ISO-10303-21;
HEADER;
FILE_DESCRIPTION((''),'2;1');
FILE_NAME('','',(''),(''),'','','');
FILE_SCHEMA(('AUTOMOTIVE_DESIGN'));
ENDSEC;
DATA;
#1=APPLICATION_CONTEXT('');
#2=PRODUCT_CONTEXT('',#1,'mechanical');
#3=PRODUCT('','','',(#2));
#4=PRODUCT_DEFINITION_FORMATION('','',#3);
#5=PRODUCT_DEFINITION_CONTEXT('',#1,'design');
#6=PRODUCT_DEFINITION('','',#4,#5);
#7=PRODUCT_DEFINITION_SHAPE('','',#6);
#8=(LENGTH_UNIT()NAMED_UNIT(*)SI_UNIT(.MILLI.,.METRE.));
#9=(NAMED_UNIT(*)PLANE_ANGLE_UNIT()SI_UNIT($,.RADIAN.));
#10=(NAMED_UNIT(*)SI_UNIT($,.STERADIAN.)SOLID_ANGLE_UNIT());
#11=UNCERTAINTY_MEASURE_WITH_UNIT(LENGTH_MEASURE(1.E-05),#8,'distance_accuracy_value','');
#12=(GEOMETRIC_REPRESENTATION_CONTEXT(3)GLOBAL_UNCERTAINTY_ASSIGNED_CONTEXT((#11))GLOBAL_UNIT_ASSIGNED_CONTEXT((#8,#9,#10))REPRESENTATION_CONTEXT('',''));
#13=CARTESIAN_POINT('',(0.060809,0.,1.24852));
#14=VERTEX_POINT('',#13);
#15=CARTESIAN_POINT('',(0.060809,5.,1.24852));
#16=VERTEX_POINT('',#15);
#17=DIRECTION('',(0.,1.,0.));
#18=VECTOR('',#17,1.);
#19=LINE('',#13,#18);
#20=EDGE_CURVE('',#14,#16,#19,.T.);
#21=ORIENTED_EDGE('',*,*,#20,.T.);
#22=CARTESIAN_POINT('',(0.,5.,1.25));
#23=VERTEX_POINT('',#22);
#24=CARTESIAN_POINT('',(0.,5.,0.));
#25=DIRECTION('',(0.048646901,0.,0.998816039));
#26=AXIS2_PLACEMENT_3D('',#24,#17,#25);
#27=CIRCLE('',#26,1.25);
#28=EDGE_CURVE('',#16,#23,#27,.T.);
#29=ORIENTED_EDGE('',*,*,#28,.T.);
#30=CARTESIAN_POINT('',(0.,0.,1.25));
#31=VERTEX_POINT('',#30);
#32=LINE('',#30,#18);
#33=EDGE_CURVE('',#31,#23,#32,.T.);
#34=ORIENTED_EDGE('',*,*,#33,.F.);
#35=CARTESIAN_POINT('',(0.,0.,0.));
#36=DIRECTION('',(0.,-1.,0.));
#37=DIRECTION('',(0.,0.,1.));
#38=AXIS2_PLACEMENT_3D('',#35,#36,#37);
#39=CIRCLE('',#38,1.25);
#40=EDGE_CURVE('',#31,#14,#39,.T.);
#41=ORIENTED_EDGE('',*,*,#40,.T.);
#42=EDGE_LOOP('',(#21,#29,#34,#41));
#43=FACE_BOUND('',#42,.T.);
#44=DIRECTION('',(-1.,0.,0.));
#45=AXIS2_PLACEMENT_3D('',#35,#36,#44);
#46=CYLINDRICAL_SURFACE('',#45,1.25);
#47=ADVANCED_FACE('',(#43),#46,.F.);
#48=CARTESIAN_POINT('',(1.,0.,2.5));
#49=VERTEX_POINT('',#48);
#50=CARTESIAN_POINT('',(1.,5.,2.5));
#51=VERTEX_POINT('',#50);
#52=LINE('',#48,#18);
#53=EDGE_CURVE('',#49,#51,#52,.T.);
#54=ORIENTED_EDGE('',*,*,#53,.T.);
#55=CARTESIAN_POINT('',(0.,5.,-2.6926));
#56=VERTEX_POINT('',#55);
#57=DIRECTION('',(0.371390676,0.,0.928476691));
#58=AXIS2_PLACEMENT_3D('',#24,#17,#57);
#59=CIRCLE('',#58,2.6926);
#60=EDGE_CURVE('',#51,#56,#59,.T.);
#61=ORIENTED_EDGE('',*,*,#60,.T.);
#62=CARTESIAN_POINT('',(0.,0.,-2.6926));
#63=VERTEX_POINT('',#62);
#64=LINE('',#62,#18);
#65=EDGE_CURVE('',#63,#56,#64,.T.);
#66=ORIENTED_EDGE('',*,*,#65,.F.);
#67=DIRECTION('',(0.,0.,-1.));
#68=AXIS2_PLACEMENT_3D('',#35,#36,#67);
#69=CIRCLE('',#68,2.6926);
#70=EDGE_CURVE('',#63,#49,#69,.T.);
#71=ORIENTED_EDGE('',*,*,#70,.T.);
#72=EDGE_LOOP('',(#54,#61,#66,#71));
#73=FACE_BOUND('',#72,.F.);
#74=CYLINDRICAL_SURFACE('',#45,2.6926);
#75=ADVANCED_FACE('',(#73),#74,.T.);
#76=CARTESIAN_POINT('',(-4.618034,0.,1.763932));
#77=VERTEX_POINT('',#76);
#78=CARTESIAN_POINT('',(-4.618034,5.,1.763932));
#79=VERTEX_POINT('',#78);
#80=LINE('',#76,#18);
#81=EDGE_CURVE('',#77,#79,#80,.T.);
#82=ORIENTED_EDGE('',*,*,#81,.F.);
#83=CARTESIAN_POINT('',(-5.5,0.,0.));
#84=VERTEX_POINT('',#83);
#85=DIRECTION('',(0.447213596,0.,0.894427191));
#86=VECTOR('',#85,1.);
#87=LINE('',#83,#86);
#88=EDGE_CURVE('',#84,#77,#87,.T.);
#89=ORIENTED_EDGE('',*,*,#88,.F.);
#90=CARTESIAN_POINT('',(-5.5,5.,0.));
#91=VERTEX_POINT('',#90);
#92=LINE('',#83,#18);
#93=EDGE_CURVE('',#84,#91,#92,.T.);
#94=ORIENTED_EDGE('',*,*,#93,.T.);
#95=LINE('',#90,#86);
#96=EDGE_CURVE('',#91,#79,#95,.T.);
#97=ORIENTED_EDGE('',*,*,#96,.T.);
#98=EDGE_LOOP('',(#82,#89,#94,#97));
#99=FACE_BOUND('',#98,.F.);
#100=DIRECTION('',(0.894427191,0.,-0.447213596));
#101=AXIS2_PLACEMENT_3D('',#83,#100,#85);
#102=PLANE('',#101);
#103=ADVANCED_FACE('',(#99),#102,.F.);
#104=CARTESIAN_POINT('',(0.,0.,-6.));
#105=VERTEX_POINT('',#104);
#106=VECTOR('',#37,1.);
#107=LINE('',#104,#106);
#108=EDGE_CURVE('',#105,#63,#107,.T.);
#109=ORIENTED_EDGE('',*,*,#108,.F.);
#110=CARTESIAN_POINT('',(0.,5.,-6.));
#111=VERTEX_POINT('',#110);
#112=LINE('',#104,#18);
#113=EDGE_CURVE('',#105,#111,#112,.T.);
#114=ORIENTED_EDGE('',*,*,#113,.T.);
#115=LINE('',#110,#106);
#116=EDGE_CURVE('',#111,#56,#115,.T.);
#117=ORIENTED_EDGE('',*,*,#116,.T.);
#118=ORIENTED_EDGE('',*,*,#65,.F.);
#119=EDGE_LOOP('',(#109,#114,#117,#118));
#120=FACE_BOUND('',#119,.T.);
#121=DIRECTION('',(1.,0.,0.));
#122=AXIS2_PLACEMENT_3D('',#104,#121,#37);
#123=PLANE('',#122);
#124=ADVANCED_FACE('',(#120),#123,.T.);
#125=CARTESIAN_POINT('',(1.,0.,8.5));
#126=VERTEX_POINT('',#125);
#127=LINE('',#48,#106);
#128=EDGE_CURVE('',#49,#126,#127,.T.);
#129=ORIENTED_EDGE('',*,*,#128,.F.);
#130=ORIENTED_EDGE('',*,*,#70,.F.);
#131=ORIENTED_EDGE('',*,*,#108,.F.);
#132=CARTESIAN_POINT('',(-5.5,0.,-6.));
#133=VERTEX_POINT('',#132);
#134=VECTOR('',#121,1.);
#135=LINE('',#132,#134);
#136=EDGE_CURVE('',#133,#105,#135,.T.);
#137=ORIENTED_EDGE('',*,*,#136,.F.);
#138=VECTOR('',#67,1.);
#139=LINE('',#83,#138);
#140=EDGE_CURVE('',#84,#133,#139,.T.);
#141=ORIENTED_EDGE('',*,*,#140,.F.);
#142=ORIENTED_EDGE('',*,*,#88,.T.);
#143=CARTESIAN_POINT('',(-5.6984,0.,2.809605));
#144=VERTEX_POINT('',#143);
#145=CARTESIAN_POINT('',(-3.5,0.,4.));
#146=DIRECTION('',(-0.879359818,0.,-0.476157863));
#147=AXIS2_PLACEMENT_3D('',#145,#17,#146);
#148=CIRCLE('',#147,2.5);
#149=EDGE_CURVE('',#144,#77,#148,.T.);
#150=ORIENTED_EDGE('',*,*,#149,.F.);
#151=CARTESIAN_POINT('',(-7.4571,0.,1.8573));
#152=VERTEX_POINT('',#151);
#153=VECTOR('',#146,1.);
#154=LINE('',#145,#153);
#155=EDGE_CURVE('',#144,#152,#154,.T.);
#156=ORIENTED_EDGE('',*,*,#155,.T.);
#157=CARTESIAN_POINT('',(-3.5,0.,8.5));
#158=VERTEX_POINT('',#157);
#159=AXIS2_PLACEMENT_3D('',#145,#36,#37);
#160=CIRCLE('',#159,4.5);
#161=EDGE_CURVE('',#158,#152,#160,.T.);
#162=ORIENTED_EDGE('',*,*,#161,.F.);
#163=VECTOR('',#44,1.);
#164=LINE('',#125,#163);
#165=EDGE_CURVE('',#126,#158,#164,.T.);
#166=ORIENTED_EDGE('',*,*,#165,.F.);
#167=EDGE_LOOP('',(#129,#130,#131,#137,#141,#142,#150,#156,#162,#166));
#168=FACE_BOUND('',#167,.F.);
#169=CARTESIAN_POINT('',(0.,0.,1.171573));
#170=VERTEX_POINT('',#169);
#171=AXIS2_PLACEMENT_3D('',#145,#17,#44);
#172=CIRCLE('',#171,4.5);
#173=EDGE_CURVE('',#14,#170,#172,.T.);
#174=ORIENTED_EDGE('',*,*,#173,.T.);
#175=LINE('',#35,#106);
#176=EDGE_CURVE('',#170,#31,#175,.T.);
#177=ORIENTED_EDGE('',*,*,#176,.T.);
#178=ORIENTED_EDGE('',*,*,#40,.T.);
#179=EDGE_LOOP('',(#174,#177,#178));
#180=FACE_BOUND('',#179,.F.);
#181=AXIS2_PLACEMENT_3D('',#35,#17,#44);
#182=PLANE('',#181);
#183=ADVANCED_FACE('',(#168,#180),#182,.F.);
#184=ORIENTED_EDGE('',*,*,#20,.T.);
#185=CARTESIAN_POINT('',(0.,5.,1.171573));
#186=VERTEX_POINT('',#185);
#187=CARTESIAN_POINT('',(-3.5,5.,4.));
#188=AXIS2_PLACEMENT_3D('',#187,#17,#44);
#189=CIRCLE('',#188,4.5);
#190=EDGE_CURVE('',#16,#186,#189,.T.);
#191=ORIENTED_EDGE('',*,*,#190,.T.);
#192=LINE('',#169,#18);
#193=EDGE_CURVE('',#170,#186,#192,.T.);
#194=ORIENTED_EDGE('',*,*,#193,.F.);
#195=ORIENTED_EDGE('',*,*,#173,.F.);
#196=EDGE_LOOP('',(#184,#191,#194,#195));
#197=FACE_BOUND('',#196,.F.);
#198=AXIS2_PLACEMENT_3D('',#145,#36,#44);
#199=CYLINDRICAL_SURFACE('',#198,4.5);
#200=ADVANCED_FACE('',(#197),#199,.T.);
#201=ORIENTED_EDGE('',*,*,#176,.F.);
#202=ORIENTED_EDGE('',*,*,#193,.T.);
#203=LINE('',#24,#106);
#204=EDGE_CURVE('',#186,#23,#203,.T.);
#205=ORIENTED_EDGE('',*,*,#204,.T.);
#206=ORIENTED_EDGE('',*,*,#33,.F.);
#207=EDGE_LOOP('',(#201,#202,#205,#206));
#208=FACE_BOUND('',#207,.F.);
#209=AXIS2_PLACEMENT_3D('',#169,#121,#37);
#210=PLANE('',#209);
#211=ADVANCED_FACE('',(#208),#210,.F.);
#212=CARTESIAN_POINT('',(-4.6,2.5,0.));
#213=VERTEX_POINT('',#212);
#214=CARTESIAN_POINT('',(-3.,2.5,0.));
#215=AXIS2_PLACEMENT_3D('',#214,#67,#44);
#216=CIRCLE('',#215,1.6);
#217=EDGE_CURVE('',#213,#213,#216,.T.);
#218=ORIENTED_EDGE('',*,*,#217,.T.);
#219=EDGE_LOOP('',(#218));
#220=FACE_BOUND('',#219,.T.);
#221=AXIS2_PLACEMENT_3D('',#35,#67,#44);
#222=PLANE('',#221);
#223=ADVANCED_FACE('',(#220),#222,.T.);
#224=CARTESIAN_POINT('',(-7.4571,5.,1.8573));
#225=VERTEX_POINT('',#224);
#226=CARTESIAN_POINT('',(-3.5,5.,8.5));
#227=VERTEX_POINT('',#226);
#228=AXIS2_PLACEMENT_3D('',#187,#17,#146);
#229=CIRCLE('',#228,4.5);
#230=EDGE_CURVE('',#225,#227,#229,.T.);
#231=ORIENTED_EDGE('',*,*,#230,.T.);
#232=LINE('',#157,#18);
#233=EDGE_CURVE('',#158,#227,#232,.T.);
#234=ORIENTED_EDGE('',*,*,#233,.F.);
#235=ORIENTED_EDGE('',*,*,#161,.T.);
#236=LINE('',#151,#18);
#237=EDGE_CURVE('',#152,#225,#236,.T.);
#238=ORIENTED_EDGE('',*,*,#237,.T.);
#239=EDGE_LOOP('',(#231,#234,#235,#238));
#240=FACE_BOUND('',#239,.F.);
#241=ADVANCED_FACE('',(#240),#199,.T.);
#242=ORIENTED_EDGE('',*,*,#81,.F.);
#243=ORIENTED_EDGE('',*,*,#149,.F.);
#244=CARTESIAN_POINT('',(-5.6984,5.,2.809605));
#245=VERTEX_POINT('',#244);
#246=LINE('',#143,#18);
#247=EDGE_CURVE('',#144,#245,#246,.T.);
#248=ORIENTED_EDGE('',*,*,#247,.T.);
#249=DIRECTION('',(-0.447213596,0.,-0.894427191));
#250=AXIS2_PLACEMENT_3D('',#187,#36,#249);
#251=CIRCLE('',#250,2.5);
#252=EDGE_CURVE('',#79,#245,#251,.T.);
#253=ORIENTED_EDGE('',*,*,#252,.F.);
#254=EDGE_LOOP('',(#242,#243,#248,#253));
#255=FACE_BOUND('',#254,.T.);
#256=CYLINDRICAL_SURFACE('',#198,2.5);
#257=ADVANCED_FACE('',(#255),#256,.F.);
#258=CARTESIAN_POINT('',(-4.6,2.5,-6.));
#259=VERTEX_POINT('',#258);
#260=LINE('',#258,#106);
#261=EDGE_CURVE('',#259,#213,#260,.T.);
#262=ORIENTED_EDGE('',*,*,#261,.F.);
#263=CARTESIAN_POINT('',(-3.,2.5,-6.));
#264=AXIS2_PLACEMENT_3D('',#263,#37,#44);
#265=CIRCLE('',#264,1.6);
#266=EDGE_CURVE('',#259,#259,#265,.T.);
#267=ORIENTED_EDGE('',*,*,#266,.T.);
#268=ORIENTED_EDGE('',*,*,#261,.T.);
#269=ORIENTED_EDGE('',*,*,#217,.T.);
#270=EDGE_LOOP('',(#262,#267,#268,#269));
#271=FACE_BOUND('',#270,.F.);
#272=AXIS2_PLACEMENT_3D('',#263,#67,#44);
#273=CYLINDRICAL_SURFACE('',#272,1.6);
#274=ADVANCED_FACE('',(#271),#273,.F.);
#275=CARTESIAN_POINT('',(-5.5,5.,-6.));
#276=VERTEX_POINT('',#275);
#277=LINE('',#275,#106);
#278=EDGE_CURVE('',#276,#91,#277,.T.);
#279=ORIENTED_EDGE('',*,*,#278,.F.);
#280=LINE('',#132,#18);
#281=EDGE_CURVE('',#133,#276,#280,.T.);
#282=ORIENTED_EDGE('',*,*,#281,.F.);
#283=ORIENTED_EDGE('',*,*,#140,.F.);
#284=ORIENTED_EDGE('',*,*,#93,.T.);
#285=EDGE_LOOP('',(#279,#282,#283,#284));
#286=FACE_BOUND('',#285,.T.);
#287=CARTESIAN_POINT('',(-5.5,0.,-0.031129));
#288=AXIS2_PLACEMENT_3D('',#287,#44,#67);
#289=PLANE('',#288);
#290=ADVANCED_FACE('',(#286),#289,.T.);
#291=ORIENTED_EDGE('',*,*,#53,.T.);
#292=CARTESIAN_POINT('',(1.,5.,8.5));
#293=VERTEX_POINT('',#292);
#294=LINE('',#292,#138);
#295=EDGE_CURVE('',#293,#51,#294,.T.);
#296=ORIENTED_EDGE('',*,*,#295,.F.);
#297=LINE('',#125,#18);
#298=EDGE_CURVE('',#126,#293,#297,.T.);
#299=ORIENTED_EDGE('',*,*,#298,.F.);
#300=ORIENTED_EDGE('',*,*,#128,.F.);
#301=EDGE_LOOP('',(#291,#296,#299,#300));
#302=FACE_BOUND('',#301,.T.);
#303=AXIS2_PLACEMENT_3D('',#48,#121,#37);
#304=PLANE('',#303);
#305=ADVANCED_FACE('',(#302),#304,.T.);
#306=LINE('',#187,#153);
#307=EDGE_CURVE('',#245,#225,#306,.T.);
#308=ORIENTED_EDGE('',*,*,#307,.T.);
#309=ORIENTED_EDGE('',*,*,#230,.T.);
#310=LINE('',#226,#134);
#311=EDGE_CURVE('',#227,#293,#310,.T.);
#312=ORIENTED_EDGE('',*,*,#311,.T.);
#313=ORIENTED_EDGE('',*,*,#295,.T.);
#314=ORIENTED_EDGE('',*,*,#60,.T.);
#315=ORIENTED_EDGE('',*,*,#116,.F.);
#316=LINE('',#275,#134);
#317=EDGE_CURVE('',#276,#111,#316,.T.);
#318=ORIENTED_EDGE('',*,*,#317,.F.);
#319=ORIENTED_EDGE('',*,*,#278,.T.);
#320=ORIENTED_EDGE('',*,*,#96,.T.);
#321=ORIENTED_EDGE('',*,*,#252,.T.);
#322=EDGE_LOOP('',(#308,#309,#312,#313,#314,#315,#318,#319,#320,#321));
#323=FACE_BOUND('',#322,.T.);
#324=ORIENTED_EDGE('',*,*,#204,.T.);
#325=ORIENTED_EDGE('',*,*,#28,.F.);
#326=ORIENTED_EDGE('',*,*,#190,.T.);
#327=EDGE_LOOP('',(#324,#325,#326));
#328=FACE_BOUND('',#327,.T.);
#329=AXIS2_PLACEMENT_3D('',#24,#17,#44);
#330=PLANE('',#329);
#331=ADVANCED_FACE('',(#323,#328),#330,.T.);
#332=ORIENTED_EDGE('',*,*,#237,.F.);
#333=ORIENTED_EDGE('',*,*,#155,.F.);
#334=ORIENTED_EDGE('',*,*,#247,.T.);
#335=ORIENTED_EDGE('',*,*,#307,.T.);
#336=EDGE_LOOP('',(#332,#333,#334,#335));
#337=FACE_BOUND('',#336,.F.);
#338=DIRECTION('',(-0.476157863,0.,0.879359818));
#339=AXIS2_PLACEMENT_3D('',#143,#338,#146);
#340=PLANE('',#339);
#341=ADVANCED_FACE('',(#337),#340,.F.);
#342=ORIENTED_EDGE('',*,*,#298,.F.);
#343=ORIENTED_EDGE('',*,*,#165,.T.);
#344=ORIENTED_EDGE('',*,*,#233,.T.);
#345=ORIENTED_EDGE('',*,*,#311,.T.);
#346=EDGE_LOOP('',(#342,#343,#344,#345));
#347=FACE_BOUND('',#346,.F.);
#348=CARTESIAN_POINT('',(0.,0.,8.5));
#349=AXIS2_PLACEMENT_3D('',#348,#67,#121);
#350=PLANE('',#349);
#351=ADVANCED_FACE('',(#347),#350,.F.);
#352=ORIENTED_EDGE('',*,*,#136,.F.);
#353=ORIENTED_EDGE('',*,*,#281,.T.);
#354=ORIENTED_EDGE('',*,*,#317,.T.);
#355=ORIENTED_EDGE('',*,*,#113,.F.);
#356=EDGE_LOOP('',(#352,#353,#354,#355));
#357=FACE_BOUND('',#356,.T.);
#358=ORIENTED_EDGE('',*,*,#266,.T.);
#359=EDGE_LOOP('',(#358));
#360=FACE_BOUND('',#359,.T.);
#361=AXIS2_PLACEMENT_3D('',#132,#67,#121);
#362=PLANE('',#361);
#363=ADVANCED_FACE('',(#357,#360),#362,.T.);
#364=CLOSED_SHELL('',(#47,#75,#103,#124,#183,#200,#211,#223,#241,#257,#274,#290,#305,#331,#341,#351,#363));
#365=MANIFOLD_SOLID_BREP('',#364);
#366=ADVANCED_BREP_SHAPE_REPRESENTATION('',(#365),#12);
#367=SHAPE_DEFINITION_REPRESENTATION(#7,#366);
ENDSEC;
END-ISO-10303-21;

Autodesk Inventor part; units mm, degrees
ref_plane "YZ Plane" through (0, 0, 0) normal (1, 0, 0) x (0, 1, 0)
ref_plane "XZ Plane" through (0, 0, 0) normal (0, 1, 0) x (-1, 0, 0)
ref_plane "XY Plane" through (0, 0, 0) normal (0, 0, 1) x (1, 0, 0)
sketch "スケッチ1" plane through (0, 0, 0) normal (0, 1, 0) x (-1, 0, 0)
  circle A0 centre (0, 0) radius 1.25
  line L0 (0, 0) -> (0, 8.5)
  line L1 (0, 8.5) -> (50, 8.5)
  line L2 (50, 8.5) -> (-50, 8.5)
  line L3 (0, 0) -> (-4, 0)
  line L4 (-4, 0) -> (-4, 8.5)
  line L5 (-4, 8.5) -> (-4, 2.5)
  line L6 (-4, 2.5) -> (-1, 2.5)
  line L7 (-1, 2.5) -> (-1, 8.5)
  circle A1 centre (0, 0) radius 2.6926
  line L8 (-1, 8.5) -> (3.5, 8.5)
  line L9 (3.5, 8.5) -> (3.5, 4)
  line L10 (3.5, 4) -> (-1, 4)
  line L11 (-1, 4) -> (-1, 8.5)
  circle A2 centre (3.5, 4) radius 4.5
  circle A3 centre (3.5, 4) radius 2.5
  line L12 (0, 0) -> (5.5, 0)
  line L13 (5.5, 0) -> (5.5, -6)
  line L14 (5.5, -6) -> (0, -6)
  line L15 (0, -6) -> (0, 0)
  line L16 (5.5, 0) -> (3.5, 4)
  line L17 (3.5, 4) -> (7.4571, 1.8573)
  line L18 (-2.6926, 0) -> (0, 0)
  line L19 (0, 0) -> (0, -6)
  line L20 (0, -6) -> (-2.6926, -6)
  line L21 (-2.6926, -6) -> (-2.6926, 0)
  point P0 (0, -2.6926)
  point P1 (4.618, 1.7639)
  point P2 (5.6984, 2.8096)
  point P3 (0, 1.25)
  point P4 (-0.0608, 1.2485)
  point P5 (0, 1.1716)
  dimension "d0" = 2.5
  dimension "d1" = 8.5
  dimension "d2" = 50
  dimension "d3" = 100
  dimension "d4" = 4
  dimension "d5" = 6
  dimension "d6" = 3
  dimension "d7" = 4.5
  dimension "d8" = 4.5
  dimension "d9" = 5
  dimension "d10" = 5.5
  dimension "d11" = 6
  dimension "d12" = 35
extrude "押し出し1" add sketch "スケッチ1" along normal blind 5 contours L12 A2 A1 L15 A0 | A0 A2 L12 | A0 L0 A1 L12 A2 | L15 A1 L3 A0 | L12 A1 A2 | L0 A2 A0 | A0 A2 A1 L0 | L3 A1 A2 A0 | A1 A2 L13 L14 L15 | A1 L12 L13 A2 | A1 L0 L10 A3 L16 L12 | A1 A2 L10 L0 | A1 L7 A2 | L10 A2 L0 | L0 A2 L9 A3 L10 | L17 A3 L9 A2 | L7 L2 L0 A2 | L0 L1 A2 picked at (-0.0068, 1.2062)
sketch "スケッチ2" plane through (0, 0, -6) normal (0, 0, -1) x (-1, 0, 0)
  line L0 (5.5, 0) -> (5.5, 5) projected
  line L1 (5.5, 0) -> (3, 0)
  line L2 (3, 0) -> (3, 2.5)
  line L3 (3, 2.5) -> (5.5, 2.5)
  line L4 (5.5, 2.5) -> (5.5, 0)
  circle A0 centre (3, 2.5) radius 1.6
  point P0 (0, 0)
  dimension "d15" = 2.5
  dimension "d16" = 2.5
  dimension "d17" = 3.2
extrude "押し出し2" cut sketch "スケッチ2" against normal blind 6 contours A0 L2 L3 | L3 L2 A0
properties part number "ikatire_rod3.0"
